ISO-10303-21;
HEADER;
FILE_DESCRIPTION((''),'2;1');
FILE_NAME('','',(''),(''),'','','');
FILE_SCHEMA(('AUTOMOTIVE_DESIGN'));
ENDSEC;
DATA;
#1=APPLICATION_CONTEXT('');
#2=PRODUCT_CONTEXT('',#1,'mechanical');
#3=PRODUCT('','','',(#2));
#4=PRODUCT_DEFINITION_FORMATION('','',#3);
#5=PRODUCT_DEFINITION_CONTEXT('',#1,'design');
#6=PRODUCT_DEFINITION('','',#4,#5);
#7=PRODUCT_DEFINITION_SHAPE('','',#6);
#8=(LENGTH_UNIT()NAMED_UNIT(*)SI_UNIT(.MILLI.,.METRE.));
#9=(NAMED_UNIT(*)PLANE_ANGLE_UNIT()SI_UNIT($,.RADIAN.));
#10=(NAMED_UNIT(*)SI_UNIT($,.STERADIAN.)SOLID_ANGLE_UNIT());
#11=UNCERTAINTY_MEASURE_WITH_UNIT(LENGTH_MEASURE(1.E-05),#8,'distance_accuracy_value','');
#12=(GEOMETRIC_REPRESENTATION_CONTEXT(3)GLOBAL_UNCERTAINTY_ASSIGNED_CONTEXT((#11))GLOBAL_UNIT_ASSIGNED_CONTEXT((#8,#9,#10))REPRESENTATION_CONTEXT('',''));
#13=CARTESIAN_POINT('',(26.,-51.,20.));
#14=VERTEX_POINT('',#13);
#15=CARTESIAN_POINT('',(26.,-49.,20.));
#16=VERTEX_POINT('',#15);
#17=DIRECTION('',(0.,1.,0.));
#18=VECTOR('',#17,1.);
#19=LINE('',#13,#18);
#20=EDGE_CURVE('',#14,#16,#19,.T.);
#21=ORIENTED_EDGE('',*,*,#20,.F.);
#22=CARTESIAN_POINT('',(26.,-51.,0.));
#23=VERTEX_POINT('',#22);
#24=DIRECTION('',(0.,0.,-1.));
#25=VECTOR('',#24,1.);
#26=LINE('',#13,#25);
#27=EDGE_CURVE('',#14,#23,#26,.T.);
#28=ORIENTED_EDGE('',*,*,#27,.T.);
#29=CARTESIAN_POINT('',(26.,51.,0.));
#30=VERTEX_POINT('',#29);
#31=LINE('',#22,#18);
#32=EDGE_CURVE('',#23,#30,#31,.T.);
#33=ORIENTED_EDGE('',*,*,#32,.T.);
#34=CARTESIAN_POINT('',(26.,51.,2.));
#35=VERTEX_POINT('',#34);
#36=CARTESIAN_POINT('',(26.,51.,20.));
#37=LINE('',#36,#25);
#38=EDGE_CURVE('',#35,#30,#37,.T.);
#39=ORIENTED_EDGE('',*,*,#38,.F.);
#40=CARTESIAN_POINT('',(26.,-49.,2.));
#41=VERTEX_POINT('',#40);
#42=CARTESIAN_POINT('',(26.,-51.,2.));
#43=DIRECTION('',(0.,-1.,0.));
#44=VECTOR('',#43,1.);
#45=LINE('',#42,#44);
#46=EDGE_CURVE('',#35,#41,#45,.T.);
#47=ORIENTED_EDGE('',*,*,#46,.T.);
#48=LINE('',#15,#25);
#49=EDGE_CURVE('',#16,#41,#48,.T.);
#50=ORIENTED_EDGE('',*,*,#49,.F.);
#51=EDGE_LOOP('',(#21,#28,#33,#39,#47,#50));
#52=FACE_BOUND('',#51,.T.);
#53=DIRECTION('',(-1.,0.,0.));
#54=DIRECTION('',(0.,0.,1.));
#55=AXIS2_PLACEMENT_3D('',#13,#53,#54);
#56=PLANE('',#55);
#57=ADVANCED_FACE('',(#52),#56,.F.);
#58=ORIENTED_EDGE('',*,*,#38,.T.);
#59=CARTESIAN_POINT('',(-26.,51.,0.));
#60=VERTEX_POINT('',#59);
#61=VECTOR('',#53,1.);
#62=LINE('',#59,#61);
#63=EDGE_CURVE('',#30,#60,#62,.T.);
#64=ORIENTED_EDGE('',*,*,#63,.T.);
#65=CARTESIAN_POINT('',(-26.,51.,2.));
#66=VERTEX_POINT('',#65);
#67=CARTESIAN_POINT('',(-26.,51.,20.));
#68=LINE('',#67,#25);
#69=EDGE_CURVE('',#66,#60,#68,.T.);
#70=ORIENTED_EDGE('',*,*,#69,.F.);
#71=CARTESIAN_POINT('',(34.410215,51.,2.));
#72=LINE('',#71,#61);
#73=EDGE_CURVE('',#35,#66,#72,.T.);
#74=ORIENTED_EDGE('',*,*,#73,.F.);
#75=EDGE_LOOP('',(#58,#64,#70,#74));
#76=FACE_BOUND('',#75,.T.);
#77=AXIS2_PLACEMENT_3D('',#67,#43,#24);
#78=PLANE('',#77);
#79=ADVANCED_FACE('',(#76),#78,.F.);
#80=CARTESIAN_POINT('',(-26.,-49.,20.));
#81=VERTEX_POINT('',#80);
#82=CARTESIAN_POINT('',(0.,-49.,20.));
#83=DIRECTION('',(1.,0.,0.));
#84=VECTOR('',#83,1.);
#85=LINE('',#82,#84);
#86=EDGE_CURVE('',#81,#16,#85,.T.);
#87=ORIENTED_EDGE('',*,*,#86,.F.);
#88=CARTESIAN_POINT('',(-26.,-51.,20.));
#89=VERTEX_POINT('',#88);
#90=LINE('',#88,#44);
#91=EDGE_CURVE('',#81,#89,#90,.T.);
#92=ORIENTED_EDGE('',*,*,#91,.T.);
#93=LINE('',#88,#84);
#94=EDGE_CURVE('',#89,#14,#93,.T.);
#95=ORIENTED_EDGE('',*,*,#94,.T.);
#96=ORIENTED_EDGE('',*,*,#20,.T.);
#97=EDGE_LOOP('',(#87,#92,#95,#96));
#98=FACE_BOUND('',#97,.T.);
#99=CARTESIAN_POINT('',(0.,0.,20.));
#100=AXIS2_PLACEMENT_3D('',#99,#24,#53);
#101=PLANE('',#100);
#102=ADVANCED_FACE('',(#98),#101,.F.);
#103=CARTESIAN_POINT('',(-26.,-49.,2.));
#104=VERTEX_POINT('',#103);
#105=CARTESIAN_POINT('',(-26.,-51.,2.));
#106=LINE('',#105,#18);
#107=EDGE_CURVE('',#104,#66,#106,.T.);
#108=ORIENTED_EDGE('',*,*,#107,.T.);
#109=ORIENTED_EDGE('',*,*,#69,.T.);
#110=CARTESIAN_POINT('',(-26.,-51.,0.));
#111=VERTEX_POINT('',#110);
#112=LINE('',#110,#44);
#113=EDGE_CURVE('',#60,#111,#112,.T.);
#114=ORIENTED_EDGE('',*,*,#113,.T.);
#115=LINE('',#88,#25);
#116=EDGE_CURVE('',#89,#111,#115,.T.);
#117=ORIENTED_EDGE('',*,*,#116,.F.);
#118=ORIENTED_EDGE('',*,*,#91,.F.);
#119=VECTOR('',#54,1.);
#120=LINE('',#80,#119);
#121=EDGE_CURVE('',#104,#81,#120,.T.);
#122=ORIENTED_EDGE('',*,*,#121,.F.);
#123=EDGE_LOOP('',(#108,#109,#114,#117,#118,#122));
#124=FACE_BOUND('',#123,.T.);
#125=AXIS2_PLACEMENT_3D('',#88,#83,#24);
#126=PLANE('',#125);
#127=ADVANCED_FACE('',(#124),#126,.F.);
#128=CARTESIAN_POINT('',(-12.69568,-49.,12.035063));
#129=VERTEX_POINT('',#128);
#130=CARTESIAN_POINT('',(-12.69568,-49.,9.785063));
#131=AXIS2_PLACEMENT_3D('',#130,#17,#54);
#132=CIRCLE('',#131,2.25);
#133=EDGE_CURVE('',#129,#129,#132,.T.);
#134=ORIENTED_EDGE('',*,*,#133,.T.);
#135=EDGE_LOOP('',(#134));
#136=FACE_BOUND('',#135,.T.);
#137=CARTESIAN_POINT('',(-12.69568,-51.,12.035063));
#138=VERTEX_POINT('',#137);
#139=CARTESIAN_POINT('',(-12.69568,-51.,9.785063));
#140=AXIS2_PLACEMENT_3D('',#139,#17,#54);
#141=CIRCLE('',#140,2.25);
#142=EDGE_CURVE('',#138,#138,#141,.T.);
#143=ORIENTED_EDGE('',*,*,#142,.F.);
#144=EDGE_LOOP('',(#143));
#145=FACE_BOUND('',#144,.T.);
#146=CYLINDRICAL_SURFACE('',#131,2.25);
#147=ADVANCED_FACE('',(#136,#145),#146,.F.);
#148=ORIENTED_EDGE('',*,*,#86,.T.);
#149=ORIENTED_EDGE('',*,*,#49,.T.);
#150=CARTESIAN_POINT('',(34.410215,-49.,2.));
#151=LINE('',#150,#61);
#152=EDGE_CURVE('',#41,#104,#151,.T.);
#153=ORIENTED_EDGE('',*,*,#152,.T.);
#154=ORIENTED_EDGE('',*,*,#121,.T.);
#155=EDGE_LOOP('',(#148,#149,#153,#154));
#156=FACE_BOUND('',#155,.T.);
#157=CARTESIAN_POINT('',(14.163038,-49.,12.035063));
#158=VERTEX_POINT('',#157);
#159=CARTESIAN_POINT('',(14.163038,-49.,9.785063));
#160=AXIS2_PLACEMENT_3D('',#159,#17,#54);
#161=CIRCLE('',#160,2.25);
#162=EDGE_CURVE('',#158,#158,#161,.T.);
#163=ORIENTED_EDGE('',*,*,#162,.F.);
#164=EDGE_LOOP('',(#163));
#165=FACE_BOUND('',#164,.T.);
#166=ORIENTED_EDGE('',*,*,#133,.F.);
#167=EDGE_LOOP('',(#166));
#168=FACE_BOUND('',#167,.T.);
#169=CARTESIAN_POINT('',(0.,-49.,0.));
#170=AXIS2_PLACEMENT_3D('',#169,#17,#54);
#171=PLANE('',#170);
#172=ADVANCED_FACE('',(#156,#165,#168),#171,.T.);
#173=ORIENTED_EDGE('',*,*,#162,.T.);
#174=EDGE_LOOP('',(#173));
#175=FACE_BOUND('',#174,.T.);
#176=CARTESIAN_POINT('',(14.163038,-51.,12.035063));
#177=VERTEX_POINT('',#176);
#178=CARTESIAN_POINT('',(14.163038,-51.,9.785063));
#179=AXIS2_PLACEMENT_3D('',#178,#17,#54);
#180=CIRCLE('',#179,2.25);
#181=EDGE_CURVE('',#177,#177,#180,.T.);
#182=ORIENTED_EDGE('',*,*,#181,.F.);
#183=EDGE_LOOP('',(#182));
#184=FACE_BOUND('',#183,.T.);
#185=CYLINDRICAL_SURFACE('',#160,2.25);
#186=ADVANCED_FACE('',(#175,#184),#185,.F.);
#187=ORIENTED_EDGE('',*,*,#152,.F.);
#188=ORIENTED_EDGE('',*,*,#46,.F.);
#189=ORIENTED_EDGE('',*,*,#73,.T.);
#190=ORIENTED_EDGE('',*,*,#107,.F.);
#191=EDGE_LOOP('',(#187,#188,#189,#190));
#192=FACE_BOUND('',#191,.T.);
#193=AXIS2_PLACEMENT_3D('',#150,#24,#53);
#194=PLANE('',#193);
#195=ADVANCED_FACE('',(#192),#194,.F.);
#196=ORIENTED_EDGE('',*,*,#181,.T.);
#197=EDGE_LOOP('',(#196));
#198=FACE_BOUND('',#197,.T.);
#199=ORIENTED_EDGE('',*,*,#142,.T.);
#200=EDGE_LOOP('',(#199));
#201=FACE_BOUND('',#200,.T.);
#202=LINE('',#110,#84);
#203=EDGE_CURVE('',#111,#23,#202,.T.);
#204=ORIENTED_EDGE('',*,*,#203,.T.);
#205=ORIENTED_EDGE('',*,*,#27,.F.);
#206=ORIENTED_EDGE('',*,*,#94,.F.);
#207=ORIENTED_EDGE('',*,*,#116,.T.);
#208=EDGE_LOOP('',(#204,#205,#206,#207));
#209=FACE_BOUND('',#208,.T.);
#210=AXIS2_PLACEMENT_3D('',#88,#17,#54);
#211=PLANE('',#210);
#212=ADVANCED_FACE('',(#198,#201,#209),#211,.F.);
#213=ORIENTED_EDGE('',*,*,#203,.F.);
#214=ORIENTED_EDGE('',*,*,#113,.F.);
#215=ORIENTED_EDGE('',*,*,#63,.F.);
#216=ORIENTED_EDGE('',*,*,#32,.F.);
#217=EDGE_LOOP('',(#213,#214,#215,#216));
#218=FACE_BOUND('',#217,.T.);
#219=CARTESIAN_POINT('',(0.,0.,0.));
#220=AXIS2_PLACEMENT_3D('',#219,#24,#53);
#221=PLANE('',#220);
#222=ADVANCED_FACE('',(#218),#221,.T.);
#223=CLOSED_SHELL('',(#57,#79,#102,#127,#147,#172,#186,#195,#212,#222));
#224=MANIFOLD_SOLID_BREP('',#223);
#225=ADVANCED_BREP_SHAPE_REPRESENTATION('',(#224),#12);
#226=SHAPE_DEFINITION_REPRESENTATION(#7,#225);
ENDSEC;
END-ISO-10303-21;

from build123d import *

# Parameters (mm, degrees)
ESQUISSE1_W             = 52
ESQUISSE1_H             = 102
BOSS_EXTRU_1_DEPTH      = 20
ESQUISSE2_W             = 66.008627658
ESQUISSE2_H             = 40.946179855
ENL_V_MAT_EXTRU_1_DEPTH = 100
D_GAGEMENT_M42_D        = 4.5


with BuildPart() as part:
    # Esquisse1 → Boss.-Extru.1 (new body)
    with BuildSketch(Plane.XY):
        Rectangle(ESQUISSE1_W, ESQUISSE1_H)
    extrude(amount=BOSS_EXTRU_1_DEPTH)

    # Esquisse2 → Enlèv. mat.-Extru.1 (cut)
    with BuildSketch(Plane(origin=(0, 51, 0), x_dir=(1, 0, 0), z_dir=(0, 1, 0))):
        with Locations((1.405901571, -22.473089928)):
            Rectangle(ESQUISSE2_W, ESQUISSE2_H)
    extrude(amount=-ENL_V_MAT_EXTRU_1_DEPTH, mode=Mode.SUBTRACT)

    # Dégagement M42 (through all)
    with Locations(Plane(origin=(0, -49, 0), x_dir=(1, 0, 0), z_dir=(0, 1, 0))):
        with Locations((-12.695679618, -9.785063319), (14.163037838, -9.785063319)):
            Hole(D_GAGEMENT_M42_D / 2)


solid = part.part
